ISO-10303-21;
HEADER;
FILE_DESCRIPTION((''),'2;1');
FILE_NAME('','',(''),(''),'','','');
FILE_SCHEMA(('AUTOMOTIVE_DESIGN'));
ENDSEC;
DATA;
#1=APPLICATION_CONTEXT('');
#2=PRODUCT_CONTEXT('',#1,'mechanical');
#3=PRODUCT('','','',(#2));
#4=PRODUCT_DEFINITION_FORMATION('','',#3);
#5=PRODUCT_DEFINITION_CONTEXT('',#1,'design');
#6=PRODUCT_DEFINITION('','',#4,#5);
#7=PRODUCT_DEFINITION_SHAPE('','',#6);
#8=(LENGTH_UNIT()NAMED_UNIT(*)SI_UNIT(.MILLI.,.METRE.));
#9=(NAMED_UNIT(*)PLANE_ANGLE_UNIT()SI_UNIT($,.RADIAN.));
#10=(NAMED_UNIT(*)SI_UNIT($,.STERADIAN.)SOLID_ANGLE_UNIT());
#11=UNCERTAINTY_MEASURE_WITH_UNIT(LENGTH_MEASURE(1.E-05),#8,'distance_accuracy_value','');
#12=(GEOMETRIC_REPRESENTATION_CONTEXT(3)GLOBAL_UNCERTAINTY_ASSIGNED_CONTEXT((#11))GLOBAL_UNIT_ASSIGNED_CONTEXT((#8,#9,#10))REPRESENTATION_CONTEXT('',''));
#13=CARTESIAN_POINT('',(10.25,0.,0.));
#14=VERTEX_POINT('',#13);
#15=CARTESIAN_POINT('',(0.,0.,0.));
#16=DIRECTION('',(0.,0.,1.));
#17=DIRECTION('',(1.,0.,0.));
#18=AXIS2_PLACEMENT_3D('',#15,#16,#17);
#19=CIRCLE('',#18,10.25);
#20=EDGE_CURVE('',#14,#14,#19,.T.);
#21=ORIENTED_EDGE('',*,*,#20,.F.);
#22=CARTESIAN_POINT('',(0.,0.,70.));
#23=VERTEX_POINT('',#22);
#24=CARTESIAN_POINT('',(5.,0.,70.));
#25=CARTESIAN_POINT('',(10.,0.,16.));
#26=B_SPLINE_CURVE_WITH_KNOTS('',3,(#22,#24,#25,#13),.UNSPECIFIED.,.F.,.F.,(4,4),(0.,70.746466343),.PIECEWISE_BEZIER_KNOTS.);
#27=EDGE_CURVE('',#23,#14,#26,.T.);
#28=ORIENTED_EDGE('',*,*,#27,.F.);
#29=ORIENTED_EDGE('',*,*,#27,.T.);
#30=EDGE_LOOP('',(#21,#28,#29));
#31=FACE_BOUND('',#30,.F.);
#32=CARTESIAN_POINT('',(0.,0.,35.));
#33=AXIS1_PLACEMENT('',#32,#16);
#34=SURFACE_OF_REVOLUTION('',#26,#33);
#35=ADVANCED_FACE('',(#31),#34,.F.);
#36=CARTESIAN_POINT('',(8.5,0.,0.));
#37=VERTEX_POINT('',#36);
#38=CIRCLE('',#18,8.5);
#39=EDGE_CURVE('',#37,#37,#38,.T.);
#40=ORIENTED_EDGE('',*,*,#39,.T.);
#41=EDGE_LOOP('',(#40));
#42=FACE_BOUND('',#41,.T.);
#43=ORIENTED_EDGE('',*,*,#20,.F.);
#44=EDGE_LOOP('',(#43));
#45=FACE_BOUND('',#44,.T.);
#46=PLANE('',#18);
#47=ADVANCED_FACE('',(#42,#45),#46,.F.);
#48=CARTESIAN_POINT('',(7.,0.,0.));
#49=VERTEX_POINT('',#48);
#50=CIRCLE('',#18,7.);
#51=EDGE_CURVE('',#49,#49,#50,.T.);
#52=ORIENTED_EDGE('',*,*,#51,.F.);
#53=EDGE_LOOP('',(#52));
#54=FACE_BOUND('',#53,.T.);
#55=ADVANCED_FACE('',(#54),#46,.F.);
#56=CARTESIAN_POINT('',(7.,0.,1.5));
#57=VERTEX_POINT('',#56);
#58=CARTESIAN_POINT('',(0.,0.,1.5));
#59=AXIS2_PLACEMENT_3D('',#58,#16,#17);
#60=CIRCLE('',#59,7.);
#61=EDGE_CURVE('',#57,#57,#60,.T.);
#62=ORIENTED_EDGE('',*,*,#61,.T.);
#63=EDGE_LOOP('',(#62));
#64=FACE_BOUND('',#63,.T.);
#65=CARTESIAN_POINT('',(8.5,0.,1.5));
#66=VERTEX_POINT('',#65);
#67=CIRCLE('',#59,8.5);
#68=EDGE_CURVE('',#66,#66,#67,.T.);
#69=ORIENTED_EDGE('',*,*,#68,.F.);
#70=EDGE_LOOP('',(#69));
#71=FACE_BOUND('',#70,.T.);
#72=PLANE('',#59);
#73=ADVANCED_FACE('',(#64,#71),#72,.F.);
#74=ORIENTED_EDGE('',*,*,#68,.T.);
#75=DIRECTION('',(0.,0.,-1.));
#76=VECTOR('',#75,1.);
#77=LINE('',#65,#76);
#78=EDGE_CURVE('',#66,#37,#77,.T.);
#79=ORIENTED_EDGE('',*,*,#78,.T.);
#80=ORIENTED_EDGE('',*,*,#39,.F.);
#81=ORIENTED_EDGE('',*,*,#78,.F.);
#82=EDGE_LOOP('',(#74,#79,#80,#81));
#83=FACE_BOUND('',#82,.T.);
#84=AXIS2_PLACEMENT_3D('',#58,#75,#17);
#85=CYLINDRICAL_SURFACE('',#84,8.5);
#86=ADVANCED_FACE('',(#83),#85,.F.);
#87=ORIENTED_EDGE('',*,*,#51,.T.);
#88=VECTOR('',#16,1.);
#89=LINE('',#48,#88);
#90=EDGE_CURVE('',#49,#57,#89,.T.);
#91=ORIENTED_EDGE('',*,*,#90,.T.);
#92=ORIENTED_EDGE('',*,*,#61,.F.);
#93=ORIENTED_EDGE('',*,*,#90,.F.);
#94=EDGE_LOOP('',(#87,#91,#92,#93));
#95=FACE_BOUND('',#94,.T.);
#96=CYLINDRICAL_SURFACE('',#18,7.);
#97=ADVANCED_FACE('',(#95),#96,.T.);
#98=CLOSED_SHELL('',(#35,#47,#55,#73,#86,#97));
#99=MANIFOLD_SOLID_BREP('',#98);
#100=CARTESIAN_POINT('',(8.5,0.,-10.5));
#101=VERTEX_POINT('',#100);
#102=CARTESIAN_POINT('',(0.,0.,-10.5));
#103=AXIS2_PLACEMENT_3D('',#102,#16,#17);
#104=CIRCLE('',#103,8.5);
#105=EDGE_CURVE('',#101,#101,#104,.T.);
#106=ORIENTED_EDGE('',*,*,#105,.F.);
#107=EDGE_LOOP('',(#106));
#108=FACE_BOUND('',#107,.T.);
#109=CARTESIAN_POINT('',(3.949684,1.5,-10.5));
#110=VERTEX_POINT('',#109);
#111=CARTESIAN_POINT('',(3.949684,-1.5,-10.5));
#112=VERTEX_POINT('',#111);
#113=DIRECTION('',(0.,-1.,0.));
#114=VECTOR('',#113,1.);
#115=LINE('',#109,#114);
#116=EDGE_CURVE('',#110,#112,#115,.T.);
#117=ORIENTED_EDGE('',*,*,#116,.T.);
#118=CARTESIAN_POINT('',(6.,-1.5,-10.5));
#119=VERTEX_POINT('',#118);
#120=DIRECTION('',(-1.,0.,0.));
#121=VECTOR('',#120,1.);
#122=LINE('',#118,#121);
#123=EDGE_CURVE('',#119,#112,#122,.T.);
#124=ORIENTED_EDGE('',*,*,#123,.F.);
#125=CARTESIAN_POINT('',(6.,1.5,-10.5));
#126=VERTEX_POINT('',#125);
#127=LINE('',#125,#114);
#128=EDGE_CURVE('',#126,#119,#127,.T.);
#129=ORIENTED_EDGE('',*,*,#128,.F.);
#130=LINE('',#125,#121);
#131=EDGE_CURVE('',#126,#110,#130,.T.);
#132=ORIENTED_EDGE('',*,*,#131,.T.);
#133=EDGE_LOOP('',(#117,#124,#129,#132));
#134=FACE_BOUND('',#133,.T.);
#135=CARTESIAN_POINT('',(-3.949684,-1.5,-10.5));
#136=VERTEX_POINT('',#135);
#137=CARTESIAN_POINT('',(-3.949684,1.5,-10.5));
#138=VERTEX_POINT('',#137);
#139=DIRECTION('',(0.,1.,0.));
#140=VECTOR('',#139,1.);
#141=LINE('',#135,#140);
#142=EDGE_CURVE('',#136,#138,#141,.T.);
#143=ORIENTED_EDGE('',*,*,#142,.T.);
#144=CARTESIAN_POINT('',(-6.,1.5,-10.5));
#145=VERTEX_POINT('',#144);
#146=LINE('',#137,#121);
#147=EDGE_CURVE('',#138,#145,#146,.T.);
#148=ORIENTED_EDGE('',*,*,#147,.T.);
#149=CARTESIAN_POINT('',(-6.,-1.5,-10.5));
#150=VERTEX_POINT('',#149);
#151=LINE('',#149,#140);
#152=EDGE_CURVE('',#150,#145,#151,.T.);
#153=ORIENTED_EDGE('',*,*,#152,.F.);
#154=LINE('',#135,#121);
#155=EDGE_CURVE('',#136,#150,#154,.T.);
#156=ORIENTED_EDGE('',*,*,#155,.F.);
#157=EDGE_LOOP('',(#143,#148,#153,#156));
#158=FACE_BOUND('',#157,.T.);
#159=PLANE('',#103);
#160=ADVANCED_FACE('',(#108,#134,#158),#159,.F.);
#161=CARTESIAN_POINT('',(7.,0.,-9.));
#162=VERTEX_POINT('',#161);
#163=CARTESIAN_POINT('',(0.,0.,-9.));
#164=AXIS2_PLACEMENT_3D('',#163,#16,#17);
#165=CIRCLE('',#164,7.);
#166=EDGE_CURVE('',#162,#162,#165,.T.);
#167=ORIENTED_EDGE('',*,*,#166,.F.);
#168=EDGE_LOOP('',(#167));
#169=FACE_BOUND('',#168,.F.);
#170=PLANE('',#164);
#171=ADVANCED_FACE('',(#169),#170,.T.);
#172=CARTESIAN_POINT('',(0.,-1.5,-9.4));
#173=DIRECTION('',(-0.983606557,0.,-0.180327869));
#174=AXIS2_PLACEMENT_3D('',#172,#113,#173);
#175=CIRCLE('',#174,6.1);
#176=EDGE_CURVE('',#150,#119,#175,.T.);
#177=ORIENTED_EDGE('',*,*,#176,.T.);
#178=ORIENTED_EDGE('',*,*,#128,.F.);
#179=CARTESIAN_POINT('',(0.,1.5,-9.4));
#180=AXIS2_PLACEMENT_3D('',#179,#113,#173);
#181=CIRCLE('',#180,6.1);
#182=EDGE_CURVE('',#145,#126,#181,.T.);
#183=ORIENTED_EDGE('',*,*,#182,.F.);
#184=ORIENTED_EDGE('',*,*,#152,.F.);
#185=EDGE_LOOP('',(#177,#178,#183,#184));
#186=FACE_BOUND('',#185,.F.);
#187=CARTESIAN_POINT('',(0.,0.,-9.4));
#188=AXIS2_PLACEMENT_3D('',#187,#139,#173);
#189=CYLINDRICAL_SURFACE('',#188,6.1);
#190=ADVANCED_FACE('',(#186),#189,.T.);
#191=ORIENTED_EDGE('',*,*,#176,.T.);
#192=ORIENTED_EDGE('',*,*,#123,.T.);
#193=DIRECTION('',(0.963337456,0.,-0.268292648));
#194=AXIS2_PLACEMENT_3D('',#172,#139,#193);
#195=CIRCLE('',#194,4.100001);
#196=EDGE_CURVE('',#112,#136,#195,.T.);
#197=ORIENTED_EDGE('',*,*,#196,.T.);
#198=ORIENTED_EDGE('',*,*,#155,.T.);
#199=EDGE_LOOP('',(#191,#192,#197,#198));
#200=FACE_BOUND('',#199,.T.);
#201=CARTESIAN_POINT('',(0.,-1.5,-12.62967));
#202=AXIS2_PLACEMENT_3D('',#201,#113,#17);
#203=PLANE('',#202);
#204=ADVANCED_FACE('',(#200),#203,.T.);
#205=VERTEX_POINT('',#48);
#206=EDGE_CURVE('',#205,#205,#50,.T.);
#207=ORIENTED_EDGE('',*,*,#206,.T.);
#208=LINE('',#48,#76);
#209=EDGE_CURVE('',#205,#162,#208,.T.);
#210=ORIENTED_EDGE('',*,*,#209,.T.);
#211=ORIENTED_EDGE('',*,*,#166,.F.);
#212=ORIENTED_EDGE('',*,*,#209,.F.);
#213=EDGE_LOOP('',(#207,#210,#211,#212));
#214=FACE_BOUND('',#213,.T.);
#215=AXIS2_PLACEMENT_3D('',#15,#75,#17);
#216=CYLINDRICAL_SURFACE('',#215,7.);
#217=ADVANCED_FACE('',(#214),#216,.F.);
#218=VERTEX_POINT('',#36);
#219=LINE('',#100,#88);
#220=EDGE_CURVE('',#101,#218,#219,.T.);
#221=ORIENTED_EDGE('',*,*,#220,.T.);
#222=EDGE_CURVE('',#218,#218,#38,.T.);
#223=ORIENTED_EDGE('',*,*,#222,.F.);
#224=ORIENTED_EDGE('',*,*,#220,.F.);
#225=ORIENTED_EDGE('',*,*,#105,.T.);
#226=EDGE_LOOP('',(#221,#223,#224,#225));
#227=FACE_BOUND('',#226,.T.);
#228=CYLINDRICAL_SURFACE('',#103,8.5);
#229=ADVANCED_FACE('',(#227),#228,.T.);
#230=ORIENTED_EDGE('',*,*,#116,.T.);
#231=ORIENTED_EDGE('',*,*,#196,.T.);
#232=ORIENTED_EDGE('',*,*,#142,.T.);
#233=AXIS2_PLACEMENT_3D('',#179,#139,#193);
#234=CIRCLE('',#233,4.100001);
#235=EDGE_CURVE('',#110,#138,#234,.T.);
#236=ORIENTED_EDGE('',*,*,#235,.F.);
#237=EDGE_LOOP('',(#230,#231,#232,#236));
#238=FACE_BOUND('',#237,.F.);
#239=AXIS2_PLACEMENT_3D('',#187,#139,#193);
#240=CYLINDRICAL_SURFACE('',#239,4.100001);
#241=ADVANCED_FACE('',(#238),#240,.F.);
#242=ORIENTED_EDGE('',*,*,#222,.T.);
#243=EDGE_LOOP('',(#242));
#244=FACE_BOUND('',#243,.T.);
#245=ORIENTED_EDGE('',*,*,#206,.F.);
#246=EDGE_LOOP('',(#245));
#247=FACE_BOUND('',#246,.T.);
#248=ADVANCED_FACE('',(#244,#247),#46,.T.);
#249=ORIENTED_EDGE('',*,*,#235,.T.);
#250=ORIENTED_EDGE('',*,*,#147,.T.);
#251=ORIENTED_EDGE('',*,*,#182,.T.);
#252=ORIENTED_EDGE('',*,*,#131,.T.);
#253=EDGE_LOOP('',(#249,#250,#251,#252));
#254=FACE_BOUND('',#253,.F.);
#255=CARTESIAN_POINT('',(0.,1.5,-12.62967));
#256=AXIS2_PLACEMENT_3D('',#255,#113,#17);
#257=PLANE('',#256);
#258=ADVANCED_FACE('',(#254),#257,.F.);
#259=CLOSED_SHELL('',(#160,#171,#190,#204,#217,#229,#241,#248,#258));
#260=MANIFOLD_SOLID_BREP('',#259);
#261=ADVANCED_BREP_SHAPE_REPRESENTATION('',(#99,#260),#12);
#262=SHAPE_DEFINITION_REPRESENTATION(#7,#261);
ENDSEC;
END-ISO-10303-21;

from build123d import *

# Parameters (mm, degrees)
F0_W          = 7
F0_H          = 1.5
F3_DEPTH      = 1.5
F3_DEPTH_BACK = 1.5


with BuildPart() as f1:
    # F0 (on Front) → F1 (revolve)
    with BuildSketch(Plane.XZ):
        with BuildLine():
            Line((0, 70), (0, 68.0976433185))
            add(Edge.make_bspline(
                [(0, 68.0976433185), (0.0036651738, 68.091286361), (0.0735583017, 67.9693266545), (0.2332474342, 67.6563648851), (0.5082121427, 67.0517292206), (0.8604479265, 66.1205602124), (1.2546108918, 64.8598950509), (1.6766407159, 63.3142585618), (2.1465675574, 61.349579708), (2.7238196198, 58.689726414), (3.4169862738, 54.9748622299), (4.1546476556, 50.3464181299), (4.899730899, 45.0701178844), (5.5998120444, 39.5160014433), (6.3168761791, 33.1685812056), (7.1037749, 25.5624577127), (7.8897960529, 16.5820828478), (8.4647990601, 8.5053989008), (8.7086953018, 2.9217898834), (8.7451196828, 0.63010127), (8.7500037888, 0)],
                knots=[0.8047769888, 0.8047769888, 0.8047769888, 0.8047769888, 0.8267857056, 1.2263936757, 1.8581696403, 2.8186755303, 4.2107492366, 5.8192262715, 7.6245086535, 10.2704025787, 13.9837872747, 18.9597209409, 24.3297980106, 29.9691357171, 35.7533124084, 43.4929066274, 52.9086496934, 62.7964097209, 67.7821668741, 69.6723579694, 69.6723579694, 69.6723579694, 69.6723579694], degree=3))
            Line((8.7500037888, 0), (10.25, 0))
            add(Edge.make_bspline(
                [(0, 70), (5, 70), (10, 16), (10.25, 0)],
                knots=[0, 0, 0, 0, 70.7464663428, 70.7464663428, 70.7464663428, 70.7464663428], degree=3))
        make_face()
        with BuildLine():
            Line((0, 68.0976433185), (0, 0))
            Line((0, 0), (7, 0))
            Line((7, 0), (7, 1.5))
            Line((7, 1.5), (8.5, 1.5))
            Line((8.5, 1.5), (8.5, 0))
            Line((8.5, 0), (8.7500037888, 0))
            add(Edge.make_bspline(
                [(0, 68.0976433185), (0.0036651738, 68.091286361), (0.0735583017, 67.9693266545), (0.2332474342, 67.6563648851), (0.5082121427, 67.0517292206), (0.8604479265, 66.1205602124), (1.2546108918, 64.8598950509), (1.6766407159, 63.3142585618), (2.1465675574, 61.349579708), (2.7238196198, 58.689726414), (3.4169862738, 54.9748622299), (4.1546476556, 50.3464181299), (4.899730899, 45.0701178844), (5.5998120444, 39.5160014433), (6.3168761791, 33.1685812056), (7.1037749, 25.5624577127), (7.8897960529, 16.5820828478), (8.4647990601, 8.5053989008), (8.7086953018, 2.9217898834), (8.7451196828, 0.63010127), (8.7500037888, 0)],
                knots=[0.8047769888, 0.8047769888, 0.8047769888, 0.8047769888, 0.8267857056, 1.2263936757, 1.8581696403, 2.8186755303, 4.2107492366, 5.8192262715, 7.6245086535, 10.2704025787, 13.9837872747, 18.9597209409, 24.3297980106, 29.9691357171, 35.7533124084, 43.4929066274, 52.9086496934, 62.7964097209, 67.7821668741, 69.6723579694, 69.6723579694, 69.6723579694, 69.6723579694], degree=3))
        make_face()
    revolve(axis=Axis((0, 0, 35), (0, 0, 1)))


with BuildPart() as f1b:
    # F0 (on Front) → F1, piece 2 (revolve)
    with BuildSketch(Plane.XZ):
        Polygon((8.5, 0), (7, 0), (7, -9), (7, -10.5), (8.5, -10.5), align=None)
        with Locations((3.5, -9.75)):
            Rectangle(F0_W, F0_H)
    revolve(axis=Axis((0, 0, 35), (0, 0, 1)))

    # F2 (on Front) → F3 (join, two sides)
    with BuildSketch(Plane.XZ) as f3_sk:
        with BuildLine():
            Line((-3.9496840827, -10.5), (-6, -10.5))
            ThreePointArc((-6, -10.5), (0, -15.5), (6, -10.5))
            Line((6, -10.5), (3.9496840827, -10.5))
            ThreePointArc((3.9496840827, -10.5), (0, -13.5000005308), (-3.9496840827, -10.5))
        make_face()
    extrude(amount=-F3_DEPTH)
    extrude(f3_sk.sketch, amount=F3_DEPTH_BACK)


solid = Compound([f1.part, f1b.part])
